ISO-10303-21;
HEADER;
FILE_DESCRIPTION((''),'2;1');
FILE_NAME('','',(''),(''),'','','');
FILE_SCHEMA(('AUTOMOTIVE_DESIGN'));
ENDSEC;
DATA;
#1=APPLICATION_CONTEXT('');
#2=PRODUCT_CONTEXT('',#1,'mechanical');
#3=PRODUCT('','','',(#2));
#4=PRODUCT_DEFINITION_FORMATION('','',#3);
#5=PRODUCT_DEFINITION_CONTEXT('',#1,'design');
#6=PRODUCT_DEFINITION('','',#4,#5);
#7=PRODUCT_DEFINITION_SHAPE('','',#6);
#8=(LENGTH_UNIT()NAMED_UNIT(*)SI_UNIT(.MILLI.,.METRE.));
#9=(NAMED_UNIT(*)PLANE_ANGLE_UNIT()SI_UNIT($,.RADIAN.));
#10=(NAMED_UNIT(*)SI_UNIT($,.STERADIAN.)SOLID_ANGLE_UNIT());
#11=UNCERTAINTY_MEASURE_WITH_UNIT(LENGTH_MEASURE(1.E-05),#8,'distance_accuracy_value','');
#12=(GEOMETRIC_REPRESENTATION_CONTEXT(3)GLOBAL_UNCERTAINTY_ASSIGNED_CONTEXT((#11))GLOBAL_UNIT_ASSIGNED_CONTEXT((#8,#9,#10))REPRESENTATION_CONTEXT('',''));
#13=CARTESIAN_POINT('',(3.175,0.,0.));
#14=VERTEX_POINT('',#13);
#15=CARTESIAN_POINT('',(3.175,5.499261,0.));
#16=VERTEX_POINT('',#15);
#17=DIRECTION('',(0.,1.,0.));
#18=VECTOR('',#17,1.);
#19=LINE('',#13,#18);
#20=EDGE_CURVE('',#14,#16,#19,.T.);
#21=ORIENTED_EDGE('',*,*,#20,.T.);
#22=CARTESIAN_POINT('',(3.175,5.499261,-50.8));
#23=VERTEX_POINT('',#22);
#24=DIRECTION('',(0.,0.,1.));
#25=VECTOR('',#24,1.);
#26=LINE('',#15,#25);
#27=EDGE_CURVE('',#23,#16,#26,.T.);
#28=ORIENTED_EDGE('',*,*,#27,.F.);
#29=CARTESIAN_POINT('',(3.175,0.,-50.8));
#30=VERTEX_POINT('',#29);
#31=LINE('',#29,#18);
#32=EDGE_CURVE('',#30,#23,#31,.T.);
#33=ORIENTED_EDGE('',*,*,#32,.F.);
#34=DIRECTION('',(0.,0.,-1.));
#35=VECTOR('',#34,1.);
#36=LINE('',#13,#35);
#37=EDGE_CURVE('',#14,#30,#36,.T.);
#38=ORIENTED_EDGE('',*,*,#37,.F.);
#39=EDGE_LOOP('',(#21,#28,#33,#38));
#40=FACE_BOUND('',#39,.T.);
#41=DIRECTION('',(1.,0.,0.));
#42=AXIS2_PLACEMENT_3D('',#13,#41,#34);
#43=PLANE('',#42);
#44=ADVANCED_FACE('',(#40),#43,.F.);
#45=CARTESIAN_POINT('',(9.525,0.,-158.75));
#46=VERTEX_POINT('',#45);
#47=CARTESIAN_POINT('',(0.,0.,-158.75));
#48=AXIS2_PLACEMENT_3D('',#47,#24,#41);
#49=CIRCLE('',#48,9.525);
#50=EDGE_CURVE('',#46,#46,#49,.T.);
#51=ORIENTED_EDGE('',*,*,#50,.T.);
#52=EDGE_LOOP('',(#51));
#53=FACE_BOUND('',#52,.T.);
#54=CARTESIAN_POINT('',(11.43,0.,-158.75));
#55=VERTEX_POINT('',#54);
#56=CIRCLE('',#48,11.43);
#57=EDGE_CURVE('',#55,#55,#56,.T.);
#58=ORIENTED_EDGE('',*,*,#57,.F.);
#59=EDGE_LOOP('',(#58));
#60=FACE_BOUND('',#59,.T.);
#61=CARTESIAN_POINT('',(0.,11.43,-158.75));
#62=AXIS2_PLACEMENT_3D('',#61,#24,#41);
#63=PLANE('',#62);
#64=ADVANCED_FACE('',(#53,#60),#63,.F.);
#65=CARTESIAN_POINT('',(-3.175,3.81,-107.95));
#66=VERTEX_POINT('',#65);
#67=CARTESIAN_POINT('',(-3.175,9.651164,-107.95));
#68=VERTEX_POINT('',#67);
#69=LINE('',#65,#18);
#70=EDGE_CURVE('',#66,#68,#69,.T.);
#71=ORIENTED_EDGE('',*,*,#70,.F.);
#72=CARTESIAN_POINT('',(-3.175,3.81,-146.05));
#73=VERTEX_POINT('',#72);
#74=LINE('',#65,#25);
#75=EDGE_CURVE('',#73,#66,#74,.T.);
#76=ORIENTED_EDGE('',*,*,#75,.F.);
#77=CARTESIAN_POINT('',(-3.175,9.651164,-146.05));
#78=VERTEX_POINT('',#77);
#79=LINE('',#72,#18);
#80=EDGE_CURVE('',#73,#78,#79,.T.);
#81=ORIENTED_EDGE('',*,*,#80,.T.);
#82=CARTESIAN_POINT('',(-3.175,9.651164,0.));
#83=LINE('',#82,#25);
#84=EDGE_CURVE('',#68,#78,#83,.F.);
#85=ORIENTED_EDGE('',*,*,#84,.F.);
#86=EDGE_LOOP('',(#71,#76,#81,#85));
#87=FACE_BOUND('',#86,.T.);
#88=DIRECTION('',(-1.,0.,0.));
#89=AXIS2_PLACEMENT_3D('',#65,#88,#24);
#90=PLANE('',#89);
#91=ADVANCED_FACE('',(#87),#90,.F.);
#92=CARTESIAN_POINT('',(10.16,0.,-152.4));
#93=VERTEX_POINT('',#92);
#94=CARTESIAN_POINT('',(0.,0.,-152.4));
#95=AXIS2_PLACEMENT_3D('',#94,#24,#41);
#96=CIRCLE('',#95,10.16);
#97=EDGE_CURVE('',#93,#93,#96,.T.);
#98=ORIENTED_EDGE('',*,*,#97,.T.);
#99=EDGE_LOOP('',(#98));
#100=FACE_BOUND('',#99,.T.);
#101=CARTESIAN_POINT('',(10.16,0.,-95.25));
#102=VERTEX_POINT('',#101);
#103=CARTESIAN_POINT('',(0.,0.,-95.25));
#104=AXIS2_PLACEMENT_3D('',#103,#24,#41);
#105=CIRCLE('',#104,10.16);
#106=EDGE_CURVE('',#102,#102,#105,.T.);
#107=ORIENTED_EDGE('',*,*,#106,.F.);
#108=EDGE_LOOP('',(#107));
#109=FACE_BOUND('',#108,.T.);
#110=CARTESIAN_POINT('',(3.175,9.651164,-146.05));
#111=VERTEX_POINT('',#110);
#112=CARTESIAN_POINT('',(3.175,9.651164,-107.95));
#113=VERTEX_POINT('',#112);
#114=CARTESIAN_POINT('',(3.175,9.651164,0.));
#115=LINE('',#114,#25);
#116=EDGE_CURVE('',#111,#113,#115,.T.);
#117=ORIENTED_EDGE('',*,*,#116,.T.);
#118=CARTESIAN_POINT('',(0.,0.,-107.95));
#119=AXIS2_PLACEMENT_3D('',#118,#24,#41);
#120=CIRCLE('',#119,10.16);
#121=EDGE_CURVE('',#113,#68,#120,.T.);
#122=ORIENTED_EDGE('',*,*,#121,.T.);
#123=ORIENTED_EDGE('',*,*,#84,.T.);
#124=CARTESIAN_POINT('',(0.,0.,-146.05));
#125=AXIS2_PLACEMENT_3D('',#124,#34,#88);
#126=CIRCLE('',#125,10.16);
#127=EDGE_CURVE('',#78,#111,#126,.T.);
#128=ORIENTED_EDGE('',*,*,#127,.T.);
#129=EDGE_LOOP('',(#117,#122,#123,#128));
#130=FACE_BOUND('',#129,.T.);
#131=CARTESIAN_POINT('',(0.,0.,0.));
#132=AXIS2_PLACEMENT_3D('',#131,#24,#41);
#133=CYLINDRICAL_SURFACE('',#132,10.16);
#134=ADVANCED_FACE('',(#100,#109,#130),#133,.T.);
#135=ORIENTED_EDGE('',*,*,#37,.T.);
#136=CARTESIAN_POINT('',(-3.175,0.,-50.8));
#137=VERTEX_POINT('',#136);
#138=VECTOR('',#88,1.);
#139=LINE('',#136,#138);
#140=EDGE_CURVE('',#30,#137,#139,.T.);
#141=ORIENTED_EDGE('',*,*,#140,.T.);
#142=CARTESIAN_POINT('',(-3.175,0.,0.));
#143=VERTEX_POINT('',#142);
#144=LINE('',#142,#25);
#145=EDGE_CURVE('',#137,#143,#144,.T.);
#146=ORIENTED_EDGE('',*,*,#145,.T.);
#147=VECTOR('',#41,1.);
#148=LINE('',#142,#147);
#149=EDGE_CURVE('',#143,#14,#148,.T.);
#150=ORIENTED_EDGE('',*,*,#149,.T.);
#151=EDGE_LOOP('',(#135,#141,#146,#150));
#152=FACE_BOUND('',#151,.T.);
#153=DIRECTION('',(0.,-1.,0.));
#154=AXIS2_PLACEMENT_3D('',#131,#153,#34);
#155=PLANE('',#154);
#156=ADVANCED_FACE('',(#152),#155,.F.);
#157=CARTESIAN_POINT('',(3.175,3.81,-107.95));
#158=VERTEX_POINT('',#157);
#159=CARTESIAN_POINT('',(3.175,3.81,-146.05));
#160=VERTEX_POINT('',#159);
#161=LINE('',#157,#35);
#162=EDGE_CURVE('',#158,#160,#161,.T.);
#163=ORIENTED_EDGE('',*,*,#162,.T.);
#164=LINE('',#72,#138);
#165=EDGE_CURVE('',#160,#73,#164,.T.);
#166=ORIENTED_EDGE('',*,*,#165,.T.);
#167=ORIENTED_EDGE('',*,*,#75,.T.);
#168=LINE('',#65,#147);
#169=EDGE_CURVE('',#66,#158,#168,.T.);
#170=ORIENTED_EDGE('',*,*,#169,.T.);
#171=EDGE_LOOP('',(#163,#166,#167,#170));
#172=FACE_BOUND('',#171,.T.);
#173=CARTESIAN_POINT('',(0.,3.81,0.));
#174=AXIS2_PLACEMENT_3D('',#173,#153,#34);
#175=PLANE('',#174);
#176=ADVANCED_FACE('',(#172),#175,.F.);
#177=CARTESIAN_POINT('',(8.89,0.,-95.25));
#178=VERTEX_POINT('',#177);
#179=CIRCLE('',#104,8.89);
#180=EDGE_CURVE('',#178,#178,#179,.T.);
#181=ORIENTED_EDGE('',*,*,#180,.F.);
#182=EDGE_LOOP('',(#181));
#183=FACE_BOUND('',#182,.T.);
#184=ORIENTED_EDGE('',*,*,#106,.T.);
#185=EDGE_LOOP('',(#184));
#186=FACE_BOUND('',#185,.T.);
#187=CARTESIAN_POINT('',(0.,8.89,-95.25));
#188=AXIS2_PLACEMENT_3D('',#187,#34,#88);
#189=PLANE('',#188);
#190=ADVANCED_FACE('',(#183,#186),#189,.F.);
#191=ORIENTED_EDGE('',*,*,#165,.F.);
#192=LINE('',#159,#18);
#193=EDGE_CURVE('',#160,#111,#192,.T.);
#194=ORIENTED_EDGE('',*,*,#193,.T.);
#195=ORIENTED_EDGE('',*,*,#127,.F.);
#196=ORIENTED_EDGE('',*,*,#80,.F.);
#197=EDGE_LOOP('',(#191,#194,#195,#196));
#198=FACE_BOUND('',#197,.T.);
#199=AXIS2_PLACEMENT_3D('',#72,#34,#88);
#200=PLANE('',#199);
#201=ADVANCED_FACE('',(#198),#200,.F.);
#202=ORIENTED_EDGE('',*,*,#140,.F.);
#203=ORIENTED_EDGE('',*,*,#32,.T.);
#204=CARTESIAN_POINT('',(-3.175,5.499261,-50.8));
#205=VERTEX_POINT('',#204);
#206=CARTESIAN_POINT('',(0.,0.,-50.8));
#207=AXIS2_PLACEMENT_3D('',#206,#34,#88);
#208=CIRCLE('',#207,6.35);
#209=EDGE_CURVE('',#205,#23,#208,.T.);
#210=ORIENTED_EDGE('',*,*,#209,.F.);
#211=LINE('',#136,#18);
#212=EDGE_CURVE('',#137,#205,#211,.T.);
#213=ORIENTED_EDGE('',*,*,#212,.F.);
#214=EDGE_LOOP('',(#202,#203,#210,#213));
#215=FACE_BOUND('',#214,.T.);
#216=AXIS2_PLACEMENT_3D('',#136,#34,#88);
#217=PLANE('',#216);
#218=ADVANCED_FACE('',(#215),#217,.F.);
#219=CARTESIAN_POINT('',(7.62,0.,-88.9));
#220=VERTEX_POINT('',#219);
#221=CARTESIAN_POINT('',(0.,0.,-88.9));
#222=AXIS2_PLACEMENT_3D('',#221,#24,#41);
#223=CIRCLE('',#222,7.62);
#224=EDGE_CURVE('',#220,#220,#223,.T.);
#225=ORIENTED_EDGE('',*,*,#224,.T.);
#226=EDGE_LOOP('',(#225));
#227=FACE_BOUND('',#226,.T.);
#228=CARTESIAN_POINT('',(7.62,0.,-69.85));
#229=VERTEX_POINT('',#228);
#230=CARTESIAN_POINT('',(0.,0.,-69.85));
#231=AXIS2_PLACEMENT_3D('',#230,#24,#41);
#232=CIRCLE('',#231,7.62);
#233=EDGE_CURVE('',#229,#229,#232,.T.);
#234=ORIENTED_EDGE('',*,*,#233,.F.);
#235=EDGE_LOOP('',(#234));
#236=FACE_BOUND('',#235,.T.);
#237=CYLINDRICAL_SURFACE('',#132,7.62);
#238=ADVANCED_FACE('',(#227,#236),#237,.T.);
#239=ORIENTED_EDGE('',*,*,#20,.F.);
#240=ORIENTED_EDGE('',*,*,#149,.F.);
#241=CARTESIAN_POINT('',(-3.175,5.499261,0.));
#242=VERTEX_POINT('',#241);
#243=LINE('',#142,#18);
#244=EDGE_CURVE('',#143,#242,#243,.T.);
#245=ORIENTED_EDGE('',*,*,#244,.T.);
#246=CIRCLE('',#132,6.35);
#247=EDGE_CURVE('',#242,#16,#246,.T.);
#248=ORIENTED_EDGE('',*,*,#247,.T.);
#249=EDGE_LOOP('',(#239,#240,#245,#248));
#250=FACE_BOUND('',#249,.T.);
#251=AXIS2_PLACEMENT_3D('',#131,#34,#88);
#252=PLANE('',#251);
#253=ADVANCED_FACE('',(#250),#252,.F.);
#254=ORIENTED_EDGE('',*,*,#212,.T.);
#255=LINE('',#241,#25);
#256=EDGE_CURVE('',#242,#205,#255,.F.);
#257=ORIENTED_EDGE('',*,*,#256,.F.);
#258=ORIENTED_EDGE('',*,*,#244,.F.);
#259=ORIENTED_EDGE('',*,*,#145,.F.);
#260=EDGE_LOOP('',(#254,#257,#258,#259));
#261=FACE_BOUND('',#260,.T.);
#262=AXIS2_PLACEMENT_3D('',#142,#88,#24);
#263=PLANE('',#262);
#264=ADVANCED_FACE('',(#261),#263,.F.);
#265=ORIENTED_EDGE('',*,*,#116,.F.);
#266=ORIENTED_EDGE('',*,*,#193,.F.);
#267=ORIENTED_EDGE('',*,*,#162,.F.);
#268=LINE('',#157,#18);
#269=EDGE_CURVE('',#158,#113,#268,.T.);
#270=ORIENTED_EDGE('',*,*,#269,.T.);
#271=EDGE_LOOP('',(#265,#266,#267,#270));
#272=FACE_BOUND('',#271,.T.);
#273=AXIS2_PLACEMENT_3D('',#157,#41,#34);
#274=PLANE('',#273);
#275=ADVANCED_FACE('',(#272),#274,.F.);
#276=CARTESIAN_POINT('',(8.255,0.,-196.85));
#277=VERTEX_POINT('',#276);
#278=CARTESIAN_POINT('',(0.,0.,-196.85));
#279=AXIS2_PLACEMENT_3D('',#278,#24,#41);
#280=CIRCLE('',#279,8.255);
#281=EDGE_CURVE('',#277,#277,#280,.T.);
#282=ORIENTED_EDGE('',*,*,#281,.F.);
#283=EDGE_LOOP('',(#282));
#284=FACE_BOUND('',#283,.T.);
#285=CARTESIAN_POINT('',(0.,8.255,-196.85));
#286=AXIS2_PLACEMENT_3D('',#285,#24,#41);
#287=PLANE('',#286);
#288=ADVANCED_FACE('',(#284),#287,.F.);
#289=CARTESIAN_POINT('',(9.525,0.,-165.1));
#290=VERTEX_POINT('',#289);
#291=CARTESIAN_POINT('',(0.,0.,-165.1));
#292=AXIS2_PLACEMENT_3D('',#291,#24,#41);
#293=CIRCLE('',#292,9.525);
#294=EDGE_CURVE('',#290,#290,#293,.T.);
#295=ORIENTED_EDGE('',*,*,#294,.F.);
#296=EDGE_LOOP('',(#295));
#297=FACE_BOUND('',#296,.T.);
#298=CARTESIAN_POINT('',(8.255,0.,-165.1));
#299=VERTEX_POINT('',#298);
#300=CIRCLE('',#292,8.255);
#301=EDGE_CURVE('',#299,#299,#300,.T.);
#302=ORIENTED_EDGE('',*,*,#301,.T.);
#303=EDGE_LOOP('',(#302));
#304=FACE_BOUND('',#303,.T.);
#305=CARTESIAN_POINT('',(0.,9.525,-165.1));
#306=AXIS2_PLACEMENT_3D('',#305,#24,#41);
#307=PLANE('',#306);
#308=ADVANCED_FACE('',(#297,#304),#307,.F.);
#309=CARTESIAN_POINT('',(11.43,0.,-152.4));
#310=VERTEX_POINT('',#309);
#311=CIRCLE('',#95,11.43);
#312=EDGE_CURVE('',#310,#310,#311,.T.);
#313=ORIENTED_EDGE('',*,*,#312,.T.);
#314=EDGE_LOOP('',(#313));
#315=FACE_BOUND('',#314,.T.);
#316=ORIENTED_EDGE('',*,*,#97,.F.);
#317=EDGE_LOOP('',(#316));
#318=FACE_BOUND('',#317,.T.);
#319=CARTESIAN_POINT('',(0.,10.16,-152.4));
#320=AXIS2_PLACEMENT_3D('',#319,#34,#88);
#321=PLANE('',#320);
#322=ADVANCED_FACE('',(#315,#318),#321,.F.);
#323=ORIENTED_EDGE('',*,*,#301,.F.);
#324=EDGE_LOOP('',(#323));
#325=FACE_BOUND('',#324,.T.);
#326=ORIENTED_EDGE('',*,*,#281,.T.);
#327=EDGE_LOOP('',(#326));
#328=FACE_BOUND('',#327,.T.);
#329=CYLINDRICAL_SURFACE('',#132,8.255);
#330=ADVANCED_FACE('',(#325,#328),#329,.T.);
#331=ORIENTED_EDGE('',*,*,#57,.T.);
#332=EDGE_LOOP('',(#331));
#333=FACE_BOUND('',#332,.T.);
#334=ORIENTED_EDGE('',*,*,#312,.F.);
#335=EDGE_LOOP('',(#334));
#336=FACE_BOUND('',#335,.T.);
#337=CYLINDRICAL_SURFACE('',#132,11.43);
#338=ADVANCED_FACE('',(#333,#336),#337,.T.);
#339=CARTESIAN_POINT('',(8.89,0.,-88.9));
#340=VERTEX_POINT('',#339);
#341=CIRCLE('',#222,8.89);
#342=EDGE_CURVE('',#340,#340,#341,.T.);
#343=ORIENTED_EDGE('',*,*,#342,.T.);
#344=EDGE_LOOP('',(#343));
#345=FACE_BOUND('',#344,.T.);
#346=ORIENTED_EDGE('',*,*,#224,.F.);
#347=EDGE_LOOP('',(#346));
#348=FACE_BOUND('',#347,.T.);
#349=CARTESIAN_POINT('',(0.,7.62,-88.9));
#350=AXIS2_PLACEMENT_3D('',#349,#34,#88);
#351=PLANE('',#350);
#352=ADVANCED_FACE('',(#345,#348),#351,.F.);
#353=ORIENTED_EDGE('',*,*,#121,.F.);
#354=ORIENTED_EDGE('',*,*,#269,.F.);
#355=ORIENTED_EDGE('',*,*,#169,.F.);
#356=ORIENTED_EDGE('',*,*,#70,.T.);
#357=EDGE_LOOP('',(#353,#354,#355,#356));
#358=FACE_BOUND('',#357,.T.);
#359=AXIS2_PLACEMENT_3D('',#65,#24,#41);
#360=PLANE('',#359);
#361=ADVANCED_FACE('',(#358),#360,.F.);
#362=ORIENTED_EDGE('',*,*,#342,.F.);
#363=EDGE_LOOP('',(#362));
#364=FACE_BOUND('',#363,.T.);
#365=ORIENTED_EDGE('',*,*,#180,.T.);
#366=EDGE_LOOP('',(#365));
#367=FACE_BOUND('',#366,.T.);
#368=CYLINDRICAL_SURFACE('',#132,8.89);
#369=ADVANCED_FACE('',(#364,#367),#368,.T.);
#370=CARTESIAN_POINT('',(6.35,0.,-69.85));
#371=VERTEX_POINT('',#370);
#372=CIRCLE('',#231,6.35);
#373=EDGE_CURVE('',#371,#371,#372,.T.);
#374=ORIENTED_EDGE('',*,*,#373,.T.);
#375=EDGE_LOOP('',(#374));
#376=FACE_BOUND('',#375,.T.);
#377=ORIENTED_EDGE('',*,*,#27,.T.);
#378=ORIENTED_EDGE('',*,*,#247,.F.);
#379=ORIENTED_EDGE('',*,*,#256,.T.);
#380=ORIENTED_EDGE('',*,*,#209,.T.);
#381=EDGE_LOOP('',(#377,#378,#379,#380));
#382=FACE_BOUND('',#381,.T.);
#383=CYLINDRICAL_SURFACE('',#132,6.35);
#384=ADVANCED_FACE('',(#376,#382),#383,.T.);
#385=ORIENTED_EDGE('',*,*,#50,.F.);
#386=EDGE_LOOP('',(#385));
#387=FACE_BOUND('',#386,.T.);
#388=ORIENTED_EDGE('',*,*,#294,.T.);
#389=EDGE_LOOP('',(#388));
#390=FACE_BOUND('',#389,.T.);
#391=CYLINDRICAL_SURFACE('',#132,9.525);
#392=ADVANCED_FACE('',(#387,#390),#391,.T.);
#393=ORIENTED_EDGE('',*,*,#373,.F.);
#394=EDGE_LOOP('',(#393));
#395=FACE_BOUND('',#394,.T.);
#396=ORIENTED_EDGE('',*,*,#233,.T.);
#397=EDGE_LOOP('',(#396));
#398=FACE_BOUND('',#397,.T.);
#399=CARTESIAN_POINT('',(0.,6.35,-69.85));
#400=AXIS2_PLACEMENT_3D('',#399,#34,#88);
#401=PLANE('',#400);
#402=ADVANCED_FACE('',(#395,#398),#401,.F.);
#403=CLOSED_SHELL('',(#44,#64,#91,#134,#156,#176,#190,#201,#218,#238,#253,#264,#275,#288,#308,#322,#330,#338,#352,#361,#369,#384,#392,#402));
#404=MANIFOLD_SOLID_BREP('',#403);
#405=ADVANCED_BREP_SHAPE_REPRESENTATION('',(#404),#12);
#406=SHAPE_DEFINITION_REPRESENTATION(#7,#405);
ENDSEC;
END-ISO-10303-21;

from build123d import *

# Parameters (mm, degrees)
SKETCH2_W          = 6.35
SKETCH2_H          = 50.8
CUT_EXTRUDE1_DEPTH = 6.35
SKETCH3_W          = 6.35
SKETCH3_H          = 38.1
CUT_EXTRUDE3_DEPTH = 6.35


with BuildPart() as part:
    # Sketch1 → Revolve1 (revolve)
    with BuildSketch(Plane(origin=(0, 0, 0), x_dir=(0, 0, -1), z_dir=(1, 0, 0)), mode=Mode.PRIVATE) as revolve1_sk:
        Polygon((0, 0), (0, 6.35), (69.85, 6.35), (69.85, 7.62), (88.9, 7.62), (88.9, 8.89), (95.25, 8.89), (95.25, 10.16), (152.4, 10.16), (152.4, 11.43), (158.75, 11.43), (158.75, 9.525), (165.1, 9.525), (165.1, 8.255), (196.85, 8.255), (196.85, 0), align=None)
    revolve(revolve1_sk.sketch.rotate(Axis((0, 0, 0), (0, 0, -1)), 90), axis=Axis((0, 0, 0), (0, 0, -1)))

    # Sketch2 → Cut-Extrude1 (cut)
    with BuildSketch(Plane(origin=(0, 6.35, 0), x_dir=(1, 0, 0), z_dir=(0, 1, 0))):
        with Locations((0, 25.4)):
            Rectangle(SKETCH2_W, SKETCH2_H)
    extrude(amount=-CUT_EXTRUDE1_DEPTH, mode=Mode.SUBTRACT)

    # Sketch3 → Cut-Extrude3 (cut)
    with BuildSketch(Plane(origin=(0, 10.16, 0), x_dir=(1, 0, 0), z_dir=(0, 1, 0))):
        with Locations((0, 127)):
            Rectangle(SKETCH3_W, SKETCH3_H)
    extrude(amount=-CUT_EXTRUDE3_DEPTH, mode=Mode.SUBTRACT)


solid = part.part
